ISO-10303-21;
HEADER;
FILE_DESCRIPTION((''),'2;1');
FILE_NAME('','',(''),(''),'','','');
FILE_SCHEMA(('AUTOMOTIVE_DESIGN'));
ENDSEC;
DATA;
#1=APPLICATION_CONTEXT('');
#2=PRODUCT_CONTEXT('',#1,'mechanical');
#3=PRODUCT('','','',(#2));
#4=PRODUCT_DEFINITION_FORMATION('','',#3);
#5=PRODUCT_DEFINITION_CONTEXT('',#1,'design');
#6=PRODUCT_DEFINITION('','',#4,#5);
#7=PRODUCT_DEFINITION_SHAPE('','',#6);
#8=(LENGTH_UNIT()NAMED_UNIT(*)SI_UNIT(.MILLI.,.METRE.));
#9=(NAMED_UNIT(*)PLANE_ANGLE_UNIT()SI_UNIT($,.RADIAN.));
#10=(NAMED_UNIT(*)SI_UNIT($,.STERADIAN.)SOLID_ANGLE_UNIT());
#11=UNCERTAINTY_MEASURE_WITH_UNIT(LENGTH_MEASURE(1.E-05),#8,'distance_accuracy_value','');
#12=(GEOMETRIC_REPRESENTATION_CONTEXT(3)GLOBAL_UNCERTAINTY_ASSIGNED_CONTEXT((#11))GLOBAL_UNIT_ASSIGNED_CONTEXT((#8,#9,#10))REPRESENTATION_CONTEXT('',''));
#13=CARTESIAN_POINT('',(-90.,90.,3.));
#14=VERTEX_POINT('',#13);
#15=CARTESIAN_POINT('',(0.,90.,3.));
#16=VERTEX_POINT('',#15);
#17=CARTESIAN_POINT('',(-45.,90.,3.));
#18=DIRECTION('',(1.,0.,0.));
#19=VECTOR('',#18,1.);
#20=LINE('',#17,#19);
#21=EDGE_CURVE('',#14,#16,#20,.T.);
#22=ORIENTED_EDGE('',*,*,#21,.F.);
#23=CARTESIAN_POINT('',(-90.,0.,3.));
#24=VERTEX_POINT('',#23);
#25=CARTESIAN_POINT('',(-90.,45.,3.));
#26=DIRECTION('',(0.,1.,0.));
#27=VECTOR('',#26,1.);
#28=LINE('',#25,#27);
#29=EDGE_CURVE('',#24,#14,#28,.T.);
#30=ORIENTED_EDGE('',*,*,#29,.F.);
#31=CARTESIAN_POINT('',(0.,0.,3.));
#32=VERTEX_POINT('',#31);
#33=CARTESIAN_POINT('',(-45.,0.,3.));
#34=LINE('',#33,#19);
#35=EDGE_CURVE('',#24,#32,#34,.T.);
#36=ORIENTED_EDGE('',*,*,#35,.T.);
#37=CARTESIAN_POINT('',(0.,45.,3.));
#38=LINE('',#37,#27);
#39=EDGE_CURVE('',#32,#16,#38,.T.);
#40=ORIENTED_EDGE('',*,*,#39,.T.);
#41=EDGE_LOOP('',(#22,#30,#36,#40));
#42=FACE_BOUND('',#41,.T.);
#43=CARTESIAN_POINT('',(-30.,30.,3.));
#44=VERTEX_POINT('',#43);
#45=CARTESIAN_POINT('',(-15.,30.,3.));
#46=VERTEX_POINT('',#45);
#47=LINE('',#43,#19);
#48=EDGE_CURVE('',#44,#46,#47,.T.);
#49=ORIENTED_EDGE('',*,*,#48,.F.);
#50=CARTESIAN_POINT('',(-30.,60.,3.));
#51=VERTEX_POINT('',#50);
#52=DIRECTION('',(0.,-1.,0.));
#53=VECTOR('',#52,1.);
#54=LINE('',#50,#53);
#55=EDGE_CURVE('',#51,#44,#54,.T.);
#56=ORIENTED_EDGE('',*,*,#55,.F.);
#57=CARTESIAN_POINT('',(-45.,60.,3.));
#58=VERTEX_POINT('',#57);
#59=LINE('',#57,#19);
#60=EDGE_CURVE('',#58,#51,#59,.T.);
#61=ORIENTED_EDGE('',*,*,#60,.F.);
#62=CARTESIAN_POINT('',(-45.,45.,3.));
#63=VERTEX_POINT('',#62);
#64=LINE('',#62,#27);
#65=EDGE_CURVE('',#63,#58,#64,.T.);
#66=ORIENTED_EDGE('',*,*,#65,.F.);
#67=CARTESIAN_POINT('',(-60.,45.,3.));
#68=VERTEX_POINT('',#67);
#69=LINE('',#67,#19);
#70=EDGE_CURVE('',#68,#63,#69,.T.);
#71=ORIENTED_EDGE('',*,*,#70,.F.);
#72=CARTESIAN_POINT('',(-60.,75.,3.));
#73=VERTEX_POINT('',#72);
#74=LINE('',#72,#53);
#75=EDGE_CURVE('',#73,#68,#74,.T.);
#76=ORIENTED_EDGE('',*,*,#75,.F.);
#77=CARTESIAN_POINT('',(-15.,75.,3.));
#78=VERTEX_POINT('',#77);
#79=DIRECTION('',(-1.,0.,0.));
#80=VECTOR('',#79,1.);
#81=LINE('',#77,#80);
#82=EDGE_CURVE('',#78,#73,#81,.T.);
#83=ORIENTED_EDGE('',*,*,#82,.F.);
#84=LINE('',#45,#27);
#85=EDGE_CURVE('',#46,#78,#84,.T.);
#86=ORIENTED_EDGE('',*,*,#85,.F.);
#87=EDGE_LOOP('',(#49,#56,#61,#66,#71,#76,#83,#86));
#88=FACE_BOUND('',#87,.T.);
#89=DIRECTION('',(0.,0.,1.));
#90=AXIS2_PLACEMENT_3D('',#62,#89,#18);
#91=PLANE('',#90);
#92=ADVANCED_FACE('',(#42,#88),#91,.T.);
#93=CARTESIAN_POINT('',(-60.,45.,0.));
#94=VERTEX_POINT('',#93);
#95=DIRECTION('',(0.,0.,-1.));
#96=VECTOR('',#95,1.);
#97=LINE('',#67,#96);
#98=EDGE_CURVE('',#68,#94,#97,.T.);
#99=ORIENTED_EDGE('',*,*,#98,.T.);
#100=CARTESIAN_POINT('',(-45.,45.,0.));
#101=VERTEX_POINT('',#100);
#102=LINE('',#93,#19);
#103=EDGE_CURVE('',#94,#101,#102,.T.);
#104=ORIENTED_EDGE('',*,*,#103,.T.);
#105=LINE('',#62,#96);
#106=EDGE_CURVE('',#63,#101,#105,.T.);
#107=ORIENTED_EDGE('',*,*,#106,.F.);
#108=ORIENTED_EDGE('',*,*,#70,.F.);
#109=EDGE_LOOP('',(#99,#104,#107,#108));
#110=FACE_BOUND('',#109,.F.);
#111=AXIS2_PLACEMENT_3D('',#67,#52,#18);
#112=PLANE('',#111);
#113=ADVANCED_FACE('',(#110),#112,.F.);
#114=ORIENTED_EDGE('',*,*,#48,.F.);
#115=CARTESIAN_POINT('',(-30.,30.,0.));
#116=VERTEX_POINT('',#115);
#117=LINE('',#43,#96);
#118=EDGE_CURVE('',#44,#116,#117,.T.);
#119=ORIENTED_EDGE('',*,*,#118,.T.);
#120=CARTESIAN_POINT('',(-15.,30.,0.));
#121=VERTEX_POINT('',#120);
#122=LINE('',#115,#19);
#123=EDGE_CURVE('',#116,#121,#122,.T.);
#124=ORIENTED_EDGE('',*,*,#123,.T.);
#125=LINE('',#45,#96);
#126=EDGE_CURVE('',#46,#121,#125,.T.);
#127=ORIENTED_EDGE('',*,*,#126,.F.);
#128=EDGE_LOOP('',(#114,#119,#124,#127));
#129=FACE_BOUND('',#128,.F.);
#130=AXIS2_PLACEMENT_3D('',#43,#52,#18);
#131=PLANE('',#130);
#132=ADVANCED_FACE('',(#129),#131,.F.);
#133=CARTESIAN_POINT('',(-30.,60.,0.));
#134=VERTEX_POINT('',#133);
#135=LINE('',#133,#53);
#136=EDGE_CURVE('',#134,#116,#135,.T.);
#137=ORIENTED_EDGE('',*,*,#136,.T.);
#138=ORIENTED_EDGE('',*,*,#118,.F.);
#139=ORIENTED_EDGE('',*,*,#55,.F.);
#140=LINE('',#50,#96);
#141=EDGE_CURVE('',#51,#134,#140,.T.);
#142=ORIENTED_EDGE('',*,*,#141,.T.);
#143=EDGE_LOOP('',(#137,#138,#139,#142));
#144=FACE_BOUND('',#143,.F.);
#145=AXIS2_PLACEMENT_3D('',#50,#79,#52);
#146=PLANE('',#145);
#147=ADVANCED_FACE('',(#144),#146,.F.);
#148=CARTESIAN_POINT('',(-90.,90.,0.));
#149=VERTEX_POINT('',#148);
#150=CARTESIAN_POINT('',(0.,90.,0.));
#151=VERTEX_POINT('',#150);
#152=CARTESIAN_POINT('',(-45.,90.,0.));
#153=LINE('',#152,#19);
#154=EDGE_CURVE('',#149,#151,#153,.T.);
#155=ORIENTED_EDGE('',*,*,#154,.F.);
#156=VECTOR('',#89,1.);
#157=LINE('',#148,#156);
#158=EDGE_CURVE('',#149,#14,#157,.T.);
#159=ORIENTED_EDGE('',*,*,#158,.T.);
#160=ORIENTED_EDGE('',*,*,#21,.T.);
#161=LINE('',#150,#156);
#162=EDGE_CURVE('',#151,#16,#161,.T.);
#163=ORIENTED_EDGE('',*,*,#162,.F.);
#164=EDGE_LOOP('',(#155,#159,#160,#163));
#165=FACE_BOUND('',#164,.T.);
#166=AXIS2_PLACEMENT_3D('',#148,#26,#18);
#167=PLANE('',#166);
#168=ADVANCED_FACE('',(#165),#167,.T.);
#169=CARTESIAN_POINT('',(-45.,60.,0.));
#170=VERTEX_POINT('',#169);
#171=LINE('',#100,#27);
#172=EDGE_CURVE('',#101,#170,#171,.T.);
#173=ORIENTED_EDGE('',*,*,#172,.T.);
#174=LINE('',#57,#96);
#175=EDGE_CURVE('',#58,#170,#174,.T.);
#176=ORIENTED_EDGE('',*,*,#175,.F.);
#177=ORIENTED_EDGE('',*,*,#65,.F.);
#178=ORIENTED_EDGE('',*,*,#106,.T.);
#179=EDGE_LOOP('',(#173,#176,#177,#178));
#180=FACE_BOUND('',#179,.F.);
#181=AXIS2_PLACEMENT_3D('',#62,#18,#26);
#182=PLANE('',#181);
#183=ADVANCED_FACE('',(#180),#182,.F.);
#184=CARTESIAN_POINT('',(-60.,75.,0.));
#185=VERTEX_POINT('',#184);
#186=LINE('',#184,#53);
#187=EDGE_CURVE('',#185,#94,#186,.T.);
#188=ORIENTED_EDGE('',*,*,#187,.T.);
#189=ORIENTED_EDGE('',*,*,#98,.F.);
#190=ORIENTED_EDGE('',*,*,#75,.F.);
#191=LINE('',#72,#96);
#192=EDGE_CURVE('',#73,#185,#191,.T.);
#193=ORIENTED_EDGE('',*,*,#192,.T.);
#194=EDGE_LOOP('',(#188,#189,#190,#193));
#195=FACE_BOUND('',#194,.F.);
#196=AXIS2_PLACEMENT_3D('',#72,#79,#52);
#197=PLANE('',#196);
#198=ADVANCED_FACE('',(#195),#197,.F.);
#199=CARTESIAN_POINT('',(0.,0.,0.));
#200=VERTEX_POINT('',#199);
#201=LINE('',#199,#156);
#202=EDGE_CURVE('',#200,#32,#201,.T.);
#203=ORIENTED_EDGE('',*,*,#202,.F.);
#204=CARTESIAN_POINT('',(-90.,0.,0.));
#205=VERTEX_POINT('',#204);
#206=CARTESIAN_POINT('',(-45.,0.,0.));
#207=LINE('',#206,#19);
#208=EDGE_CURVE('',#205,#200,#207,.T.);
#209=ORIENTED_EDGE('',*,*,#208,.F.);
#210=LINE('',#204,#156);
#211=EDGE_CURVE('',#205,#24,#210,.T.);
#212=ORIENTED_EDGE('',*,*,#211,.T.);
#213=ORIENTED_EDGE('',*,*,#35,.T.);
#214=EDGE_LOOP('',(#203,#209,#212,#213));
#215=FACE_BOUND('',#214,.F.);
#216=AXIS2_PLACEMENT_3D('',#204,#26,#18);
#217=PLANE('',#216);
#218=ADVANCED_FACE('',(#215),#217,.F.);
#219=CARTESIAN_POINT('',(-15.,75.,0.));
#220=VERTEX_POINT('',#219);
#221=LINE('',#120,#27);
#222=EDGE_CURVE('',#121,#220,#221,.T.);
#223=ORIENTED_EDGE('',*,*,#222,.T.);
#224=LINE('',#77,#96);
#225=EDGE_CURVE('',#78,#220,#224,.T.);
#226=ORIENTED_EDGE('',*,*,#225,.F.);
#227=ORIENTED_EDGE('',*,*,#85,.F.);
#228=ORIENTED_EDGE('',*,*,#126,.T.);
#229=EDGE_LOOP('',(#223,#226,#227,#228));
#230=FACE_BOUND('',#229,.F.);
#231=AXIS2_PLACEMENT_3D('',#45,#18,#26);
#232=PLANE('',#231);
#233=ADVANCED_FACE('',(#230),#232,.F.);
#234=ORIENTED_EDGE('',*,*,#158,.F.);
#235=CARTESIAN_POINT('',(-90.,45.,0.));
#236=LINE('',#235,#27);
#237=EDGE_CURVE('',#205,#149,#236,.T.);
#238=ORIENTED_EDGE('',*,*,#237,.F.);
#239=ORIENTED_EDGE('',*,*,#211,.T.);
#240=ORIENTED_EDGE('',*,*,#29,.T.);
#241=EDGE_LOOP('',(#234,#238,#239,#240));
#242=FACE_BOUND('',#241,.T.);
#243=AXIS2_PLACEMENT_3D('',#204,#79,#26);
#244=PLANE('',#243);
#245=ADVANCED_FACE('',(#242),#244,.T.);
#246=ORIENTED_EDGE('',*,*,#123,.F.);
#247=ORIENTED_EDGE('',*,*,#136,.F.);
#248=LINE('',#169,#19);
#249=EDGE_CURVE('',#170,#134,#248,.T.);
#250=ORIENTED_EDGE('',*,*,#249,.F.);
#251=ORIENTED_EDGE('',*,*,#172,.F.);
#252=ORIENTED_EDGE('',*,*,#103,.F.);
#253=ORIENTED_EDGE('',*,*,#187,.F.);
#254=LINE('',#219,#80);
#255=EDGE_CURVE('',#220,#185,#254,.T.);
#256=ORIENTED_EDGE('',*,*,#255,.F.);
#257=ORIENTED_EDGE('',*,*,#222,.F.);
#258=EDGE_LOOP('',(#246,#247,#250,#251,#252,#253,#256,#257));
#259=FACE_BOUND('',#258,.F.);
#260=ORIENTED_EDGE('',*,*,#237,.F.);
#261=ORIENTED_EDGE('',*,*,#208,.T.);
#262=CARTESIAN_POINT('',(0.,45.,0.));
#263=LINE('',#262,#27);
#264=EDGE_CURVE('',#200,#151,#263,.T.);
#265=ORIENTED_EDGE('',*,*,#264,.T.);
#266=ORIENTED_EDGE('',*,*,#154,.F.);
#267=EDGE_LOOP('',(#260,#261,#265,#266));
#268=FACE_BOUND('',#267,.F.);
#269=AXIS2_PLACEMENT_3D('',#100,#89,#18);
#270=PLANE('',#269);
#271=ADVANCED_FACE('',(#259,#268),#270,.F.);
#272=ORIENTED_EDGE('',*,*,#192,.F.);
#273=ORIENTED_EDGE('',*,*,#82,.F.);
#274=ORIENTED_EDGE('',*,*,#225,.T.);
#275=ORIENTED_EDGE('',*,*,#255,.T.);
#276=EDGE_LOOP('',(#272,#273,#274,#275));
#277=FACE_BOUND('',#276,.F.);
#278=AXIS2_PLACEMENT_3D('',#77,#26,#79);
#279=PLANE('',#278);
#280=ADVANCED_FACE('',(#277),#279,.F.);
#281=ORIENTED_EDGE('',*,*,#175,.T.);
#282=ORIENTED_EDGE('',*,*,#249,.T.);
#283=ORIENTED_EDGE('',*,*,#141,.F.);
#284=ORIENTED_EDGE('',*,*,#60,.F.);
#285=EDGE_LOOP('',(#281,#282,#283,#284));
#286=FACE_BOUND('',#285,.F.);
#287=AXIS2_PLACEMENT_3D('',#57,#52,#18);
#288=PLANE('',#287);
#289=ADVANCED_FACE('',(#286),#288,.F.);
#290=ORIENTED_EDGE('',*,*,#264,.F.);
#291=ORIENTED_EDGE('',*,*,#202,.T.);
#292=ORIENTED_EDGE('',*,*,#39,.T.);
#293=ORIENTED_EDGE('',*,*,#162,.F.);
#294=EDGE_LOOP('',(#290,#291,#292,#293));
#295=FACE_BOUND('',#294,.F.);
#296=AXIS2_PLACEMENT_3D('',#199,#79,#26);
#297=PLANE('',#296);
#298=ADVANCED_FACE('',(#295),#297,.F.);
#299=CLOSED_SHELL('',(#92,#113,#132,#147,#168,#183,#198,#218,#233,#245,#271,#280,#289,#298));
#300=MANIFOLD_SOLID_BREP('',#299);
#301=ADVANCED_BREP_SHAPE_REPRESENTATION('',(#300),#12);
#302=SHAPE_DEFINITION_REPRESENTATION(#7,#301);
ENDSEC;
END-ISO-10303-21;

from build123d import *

# Parameters (mm, degrees)
SKETCH_W     = 90
SKETCH_H     = 90
PAD_DEPTH    = 3
POCKET_DEPTH = 3


with BuildPart() as part:
    # Sketch → Pad (new body)
    with BuildSketch(Plane.XY):
        with Locations((-45, 45)):
            Rectangle(SKETCH_W, SKETCH_H)
    extrude(amount=PAD_DEPTH)

    # Sketch002 (on Face6 of Pad) → Pocket (cut)
    with BuildSketch(Plane.XY.offset(3)):
        Polygon((-60, 75), (-60, 45), (-45, 45), (-45, 60), (-30, 60), (-30, 30), (-15, 30), (-15, 75), align=None)
    extrude(amount=-POCKET_DEPTH, mode=Mode.SUBTRACT)


solid = part.part
